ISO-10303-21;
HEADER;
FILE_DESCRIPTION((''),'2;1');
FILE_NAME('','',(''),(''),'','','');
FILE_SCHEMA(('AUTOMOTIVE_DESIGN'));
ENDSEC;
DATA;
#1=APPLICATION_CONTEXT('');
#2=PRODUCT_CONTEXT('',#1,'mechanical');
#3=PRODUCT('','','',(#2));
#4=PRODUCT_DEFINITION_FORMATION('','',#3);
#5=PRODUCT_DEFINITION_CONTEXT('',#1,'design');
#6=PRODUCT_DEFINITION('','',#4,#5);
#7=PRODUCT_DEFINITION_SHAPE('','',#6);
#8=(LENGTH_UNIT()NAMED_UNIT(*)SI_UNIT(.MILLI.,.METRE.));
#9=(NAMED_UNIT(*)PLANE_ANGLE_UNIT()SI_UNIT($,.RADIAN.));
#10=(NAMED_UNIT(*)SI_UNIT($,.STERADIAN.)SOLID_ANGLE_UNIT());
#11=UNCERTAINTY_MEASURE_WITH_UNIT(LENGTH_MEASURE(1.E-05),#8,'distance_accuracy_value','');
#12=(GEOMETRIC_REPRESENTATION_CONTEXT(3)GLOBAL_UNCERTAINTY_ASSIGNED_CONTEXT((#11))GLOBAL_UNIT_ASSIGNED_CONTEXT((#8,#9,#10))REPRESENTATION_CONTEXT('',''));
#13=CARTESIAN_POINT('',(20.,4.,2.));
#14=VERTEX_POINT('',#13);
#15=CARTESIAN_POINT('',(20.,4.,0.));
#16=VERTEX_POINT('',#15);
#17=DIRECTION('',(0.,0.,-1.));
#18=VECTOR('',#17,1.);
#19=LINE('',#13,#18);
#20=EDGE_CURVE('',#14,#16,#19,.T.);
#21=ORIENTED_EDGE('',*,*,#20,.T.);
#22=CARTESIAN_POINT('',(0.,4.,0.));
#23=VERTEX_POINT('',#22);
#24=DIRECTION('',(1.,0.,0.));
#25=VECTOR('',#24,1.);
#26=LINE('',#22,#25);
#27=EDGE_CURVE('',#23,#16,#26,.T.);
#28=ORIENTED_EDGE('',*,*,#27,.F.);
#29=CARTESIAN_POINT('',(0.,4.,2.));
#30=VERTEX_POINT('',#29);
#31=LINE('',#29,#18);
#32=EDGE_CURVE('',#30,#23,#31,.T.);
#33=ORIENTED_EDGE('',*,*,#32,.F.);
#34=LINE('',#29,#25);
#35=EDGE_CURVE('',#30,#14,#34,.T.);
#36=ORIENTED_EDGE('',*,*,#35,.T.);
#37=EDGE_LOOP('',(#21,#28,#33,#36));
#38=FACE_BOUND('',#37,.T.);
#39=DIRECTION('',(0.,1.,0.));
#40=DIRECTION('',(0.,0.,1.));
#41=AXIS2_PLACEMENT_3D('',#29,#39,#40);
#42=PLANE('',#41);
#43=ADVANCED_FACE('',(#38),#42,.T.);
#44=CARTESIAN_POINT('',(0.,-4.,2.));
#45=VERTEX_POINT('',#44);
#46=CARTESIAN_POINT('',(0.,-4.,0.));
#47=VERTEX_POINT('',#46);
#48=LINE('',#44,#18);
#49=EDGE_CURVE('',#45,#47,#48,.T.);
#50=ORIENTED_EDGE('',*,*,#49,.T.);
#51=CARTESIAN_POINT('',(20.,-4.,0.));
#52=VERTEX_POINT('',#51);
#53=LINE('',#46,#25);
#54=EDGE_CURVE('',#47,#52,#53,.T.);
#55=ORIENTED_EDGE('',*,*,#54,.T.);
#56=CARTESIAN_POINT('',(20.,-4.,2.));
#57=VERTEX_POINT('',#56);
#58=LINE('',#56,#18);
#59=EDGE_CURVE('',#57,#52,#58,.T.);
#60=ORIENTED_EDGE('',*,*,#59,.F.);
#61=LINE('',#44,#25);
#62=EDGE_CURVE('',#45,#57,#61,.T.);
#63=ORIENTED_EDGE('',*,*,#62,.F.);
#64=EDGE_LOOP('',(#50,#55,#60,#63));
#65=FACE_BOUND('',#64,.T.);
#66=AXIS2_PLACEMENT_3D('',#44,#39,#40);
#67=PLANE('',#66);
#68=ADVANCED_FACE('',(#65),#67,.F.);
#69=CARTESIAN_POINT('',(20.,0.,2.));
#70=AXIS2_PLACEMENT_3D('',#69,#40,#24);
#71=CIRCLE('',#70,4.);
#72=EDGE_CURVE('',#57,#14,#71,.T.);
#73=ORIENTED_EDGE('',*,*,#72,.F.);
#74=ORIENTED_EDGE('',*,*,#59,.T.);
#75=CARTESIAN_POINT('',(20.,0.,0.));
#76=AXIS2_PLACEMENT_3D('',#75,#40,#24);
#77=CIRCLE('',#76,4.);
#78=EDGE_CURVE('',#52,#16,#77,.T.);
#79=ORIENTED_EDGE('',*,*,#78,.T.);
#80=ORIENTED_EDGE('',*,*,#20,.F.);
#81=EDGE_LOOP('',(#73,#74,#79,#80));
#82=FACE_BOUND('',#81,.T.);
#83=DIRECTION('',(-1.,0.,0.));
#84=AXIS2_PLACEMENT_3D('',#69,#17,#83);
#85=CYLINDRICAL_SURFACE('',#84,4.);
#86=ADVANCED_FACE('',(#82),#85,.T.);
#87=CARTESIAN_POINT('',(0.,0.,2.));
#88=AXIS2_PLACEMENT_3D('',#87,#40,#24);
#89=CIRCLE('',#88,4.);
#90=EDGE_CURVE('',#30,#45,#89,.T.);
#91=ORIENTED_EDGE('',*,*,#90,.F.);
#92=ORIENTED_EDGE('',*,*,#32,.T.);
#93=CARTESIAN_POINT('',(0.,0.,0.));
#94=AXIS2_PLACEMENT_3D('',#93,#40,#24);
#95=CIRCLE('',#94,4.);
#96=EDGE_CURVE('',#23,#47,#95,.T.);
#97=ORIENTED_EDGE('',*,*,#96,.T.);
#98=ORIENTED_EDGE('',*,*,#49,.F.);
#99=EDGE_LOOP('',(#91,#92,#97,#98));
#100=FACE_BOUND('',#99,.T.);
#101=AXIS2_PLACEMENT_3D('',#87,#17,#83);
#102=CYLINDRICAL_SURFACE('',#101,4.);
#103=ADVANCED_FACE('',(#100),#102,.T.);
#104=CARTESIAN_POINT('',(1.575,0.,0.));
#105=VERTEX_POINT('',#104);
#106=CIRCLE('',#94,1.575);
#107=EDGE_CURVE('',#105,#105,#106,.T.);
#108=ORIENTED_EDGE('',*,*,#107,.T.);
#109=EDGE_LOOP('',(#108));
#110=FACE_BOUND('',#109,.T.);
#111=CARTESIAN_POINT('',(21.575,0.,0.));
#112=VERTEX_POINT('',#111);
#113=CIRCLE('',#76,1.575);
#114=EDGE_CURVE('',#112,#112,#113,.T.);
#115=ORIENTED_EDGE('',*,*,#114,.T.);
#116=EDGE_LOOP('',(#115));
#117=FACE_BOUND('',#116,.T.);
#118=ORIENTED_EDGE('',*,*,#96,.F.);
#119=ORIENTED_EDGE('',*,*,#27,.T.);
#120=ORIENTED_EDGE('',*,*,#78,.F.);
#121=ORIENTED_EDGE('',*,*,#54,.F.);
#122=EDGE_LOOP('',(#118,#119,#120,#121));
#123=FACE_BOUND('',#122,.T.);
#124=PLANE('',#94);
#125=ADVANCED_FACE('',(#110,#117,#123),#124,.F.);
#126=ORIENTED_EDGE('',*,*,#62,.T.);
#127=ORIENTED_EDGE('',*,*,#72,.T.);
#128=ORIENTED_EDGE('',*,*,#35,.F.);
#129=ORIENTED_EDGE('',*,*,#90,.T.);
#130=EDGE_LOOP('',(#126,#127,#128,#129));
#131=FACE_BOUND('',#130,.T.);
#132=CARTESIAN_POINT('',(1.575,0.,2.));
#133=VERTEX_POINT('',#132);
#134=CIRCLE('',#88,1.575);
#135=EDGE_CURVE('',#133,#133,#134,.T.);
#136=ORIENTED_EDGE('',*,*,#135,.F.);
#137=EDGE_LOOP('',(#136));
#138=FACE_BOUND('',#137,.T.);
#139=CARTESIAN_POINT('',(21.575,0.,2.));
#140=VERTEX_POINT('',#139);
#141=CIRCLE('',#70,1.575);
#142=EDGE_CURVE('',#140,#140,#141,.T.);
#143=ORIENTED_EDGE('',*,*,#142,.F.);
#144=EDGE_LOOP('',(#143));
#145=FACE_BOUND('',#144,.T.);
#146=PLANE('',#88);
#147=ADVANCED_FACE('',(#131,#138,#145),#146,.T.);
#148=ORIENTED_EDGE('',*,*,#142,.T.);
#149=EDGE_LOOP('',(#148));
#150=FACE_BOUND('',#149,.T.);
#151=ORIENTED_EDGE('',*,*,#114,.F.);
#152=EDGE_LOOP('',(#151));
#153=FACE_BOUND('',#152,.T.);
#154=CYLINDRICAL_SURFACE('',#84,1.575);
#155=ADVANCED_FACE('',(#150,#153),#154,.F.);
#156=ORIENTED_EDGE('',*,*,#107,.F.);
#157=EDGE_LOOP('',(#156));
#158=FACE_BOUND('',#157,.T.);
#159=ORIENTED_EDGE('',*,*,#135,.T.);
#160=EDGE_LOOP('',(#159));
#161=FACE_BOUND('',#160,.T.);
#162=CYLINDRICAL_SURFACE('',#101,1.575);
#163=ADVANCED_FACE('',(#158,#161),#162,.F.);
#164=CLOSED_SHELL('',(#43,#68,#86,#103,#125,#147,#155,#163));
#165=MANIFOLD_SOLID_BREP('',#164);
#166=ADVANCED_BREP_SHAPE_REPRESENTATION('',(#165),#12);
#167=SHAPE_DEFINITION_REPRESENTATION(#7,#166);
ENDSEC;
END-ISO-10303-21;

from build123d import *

# Parameters (mm, degrees)
SKETCH1_R           = 1.575
BOSS_EXTRUDE1_DEPTH = 2


with BuildPart() as part:
    # Sketch1 → Boss-Extrude1 (new body)
    with BuildSketch(Plane.XY):
        with BuildLine():
            Line((0, 4), (20, 4))
            ThreePointArc((20, 4), (24, 0), (20, -4))
            Line((20, -4), (0, -4))
            ThreePointArc((0, -4), (-4, 0), (0, 4))
        make_face()
        Circle(SKETCH1_R, mode=Mode.SUBTRACT)
        with Locations((20, 0)):
            Circle(SKETCH1_R, mode=Mode.SUBTRACT)
    extrude(amount=BOSS_EXTRUDE1_DEPTH)


solid = part.part
